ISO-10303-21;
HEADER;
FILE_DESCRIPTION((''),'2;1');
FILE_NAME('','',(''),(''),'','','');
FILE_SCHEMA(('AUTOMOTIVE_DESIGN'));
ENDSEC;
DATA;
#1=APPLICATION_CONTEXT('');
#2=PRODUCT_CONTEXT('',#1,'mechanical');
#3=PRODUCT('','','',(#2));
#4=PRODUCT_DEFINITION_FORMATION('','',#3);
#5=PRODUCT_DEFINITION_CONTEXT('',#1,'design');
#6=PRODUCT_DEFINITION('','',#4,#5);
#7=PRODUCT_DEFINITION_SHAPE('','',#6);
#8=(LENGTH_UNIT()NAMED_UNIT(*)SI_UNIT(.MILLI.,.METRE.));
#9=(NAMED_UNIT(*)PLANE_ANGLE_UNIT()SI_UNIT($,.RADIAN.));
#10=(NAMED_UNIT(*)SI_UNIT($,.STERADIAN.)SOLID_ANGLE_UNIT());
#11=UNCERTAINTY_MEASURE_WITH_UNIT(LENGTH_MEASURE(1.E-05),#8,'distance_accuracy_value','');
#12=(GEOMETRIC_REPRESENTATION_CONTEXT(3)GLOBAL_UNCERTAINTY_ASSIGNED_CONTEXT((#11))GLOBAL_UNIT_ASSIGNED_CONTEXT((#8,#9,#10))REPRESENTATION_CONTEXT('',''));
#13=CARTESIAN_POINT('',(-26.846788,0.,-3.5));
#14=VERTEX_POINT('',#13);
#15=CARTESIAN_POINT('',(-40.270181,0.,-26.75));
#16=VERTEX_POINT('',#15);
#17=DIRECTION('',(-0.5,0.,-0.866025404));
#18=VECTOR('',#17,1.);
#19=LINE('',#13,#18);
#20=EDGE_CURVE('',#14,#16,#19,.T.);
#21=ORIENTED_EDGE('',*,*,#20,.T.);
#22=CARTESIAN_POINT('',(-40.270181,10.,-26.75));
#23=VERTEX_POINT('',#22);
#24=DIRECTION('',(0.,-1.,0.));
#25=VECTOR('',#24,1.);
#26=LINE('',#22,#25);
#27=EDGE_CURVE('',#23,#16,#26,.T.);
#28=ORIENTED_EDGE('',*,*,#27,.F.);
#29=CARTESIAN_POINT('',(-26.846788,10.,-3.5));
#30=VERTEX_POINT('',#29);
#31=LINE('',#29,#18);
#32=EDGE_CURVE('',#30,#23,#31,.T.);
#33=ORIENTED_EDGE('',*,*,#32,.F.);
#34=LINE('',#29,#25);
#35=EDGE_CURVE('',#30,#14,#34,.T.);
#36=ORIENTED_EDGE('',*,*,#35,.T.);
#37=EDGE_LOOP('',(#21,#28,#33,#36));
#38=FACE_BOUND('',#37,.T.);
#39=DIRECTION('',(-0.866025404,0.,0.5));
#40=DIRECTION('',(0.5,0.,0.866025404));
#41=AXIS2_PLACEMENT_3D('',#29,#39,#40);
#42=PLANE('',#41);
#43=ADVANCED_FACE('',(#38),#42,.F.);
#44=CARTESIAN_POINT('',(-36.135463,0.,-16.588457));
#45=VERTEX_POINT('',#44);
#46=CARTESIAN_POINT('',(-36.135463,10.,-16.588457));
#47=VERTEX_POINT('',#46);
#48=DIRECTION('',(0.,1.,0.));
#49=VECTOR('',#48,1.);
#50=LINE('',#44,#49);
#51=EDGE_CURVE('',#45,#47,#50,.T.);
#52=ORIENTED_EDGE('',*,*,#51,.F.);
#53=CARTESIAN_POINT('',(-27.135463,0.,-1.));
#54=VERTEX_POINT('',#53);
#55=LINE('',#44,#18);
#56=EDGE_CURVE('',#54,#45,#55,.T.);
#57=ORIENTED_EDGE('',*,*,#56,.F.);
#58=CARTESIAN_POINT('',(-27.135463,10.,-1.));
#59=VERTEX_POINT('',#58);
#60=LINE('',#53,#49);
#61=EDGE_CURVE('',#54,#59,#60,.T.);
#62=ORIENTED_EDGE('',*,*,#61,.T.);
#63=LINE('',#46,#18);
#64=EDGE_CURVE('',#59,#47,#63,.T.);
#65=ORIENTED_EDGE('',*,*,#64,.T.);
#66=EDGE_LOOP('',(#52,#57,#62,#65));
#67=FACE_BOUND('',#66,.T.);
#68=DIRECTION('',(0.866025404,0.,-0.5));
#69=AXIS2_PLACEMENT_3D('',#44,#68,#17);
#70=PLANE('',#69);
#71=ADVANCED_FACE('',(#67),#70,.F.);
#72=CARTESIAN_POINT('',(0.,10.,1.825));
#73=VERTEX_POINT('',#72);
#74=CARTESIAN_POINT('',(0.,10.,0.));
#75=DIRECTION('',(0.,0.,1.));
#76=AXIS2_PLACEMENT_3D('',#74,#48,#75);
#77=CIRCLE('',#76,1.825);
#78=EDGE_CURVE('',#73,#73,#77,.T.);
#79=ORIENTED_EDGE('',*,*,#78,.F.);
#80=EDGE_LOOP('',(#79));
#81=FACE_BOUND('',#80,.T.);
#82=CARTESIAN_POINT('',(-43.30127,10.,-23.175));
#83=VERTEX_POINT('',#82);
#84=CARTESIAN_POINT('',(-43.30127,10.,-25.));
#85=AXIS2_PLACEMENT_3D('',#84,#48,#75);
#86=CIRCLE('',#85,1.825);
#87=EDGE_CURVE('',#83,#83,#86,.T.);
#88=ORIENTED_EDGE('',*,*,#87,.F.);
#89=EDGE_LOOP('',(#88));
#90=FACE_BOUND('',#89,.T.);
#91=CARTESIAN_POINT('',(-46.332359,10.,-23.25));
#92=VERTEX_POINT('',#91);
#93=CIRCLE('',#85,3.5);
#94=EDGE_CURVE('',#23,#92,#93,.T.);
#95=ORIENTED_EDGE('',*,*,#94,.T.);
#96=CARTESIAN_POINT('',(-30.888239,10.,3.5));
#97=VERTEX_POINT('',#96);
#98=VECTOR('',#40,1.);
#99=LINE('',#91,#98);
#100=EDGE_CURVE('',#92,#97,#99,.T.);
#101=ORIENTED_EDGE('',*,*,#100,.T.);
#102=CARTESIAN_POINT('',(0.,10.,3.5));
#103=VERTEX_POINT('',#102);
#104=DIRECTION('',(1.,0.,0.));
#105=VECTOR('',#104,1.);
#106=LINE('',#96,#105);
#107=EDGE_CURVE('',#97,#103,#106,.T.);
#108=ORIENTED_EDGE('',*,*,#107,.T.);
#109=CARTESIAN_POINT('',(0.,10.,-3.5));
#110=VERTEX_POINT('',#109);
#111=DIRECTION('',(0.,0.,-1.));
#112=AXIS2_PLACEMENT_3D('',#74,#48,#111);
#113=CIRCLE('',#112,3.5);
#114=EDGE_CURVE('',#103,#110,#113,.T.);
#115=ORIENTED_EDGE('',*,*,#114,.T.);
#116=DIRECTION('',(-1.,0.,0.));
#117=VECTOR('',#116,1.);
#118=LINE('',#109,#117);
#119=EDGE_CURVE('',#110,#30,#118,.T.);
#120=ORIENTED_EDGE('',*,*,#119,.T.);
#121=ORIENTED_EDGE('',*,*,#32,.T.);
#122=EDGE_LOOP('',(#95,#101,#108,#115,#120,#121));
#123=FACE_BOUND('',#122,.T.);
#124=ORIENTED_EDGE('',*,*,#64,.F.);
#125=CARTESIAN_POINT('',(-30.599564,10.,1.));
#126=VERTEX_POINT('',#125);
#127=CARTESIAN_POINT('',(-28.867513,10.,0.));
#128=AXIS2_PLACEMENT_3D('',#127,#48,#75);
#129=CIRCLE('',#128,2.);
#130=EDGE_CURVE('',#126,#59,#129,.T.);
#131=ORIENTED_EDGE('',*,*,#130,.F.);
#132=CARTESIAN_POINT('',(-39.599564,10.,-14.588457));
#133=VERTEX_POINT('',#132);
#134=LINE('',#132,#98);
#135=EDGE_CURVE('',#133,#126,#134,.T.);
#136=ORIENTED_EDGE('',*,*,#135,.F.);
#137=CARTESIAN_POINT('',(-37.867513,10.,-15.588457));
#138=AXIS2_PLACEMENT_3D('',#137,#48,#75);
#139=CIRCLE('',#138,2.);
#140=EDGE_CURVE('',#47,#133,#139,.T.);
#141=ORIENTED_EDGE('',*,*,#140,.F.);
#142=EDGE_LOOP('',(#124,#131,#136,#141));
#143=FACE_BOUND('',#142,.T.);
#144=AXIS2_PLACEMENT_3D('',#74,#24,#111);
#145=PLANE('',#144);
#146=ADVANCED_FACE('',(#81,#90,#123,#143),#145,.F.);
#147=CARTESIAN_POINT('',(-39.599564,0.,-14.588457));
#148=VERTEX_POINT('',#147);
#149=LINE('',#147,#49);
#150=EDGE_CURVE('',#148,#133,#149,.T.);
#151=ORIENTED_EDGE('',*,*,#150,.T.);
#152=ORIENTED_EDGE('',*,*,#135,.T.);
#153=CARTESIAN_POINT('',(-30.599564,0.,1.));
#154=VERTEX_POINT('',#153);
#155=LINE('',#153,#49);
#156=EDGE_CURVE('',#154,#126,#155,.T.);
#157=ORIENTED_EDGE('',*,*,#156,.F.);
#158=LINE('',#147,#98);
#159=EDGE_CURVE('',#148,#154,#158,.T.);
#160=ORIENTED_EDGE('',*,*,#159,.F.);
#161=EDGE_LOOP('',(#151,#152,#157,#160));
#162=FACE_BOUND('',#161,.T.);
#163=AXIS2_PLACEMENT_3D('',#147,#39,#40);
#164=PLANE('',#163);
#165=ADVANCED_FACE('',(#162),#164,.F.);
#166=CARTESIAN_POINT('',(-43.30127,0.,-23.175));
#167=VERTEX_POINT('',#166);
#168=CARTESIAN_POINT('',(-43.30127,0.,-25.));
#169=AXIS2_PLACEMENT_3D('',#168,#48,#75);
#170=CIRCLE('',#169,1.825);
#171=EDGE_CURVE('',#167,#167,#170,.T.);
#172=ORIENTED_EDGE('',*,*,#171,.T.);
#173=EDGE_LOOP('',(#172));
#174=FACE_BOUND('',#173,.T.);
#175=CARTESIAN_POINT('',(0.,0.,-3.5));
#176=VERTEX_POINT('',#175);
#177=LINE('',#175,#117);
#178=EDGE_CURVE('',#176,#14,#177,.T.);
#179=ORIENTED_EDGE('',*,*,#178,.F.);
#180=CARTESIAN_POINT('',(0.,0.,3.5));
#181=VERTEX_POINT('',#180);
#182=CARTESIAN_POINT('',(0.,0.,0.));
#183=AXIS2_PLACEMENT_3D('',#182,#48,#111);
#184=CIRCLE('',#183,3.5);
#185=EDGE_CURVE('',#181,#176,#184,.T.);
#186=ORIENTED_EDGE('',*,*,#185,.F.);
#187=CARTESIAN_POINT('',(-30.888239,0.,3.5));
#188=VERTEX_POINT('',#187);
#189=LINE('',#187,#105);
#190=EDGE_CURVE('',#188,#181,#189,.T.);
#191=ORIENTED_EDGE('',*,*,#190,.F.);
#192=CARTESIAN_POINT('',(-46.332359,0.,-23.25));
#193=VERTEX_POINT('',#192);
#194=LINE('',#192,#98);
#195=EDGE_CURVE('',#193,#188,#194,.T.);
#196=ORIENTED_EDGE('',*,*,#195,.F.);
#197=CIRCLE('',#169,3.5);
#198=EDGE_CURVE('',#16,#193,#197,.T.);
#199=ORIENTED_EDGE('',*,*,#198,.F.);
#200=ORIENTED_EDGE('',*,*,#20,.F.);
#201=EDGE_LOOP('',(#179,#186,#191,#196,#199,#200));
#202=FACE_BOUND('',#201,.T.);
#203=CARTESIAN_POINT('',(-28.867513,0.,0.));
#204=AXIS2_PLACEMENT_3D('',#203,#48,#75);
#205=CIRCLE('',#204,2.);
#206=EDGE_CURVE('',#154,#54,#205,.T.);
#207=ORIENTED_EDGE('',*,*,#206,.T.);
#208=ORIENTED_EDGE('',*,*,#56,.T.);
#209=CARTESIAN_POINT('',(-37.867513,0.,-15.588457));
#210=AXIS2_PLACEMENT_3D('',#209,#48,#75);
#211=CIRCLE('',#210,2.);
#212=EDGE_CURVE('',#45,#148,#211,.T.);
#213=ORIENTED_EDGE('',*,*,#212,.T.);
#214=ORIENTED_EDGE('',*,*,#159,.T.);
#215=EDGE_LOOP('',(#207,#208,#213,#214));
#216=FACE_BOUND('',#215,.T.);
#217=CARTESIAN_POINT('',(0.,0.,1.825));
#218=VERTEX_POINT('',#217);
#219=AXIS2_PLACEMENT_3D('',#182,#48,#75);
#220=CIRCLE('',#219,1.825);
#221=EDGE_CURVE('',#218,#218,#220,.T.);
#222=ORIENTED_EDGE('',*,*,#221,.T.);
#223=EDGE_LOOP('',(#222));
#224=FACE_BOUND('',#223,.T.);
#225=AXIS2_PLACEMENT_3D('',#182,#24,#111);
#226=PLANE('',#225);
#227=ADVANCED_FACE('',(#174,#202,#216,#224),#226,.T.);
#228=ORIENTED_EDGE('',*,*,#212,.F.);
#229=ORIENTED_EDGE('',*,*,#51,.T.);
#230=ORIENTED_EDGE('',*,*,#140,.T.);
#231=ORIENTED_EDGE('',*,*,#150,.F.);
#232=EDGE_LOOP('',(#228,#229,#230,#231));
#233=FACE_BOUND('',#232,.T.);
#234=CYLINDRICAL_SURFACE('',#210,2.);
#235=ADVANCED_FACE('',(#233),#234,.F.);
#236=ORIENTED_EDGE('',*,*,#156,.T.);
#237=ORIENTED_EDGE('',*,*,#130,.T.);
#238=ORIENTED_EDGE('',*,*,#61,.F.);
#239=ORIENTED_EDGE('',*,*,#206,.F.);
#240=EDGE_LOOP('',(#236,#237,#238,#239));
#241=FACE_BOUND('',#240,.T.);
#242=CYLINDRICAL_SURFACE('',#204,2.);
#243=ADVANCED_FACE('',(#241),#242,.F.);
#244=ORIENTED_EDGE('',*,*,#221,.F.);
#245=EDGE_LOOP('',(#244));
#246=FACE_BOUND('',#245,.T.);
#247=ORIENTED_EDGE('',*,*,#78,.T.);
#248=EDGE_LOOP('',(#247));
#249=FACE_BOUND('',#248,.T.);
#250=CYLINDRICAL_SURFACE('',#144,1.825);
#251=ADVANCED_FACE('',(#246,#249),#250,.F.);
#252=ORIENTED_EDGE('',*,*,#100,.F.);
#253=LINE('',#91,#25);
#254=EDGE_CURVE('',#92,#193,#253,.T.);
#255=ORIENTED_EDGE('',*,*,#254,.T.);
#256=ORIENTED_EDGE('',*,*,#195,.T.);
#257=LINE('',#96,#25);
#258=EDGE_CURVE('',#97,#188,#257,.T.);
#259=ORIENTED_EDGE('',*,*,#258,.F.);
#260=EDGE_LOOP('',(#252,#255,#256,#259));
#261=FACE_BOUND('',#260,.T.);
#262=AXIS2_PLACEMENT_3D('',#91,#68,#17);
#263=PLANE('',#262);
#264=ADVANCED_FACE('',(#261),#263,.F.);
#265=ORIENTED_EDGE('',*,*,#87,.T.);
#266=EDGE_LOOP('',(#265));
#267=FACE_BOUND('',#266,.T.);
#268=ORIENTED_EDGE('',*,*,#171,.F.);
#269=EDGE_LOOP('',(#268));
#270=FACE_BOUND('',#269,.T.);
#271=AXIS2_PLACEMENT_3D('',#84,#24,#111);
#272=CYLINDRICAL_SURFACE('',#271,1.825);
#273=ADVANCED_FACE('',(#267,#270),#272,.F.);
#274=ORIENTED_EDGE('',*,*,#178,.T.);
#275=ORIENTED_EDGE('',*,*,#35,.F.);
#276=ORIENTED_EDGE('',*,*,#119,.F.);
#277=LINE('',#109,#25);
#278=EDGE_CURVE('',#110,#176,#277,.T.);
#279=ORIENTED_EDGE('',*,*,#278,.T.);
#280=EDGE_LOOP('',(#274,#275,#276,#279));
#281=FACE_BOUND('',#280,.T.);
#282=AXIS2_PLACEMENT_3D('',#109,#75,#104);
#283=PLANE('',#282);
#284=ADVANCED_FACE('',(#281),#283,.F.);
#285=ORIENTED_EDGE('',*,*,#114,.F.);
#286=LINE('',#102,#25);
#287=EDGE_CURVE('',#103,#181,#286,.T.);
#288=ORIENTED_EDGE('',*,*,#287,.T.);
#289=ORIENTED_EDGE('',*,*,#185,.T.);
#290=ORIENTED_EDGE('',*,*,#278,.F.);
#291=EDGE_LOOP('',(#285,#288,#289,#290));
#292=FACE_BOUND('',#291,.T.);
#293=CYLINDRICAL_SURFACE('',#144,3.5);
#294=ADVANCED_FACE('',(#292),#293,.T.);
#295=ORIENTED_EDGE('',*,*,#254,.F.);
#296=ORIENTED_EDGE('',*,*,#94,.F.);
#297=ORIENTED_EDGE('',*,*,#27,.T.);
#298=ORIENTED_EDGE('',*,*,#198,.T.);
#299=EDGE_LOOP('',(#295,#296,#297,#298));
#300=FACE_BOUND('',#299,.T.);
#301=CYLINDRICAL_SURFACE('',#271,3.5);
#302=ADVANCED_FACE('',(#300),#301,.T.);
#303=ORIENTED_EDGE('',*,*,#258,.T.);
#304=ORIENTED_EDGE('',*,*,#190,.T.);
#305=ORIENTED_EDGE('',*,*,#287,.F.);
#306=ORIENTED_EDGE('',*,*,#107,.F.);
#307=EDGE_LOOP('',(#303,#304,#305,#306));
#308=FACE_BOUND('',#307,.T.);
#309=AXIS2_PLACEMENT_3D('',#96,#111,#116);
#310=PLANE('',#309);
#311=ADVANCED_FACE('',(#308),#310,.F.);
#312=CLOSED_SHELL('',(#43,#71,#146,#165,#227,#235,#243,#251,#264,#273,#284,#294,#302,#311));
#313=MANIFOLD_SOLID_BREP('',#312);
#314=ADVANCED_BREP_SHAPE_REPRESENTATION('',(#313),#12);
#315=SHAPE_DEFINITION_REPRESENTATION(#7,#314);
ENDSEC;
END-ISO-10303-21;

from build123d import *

# Parameters (mm, degrees)
SKIZZE2_R                       = 1.825
AUFSATZ_LINEAR_AUSTRAGEN1_DEPTH = 10
SCHNITT_LINEAR_AUSTRAGEN1_DEPTH = 11


with BuildPart() as part:
    # Skizze2 → Aufsatz-Linear austragen1 (new body)
    with BuildSketch(Plane(origin=(0, 0, 0), x_dir=(1, 0, 0), z_dir=(0, 1, 0))):
        with BuildLine():
            Line((0, 3.5), (-26.846787517, 3.5))
            Line((-26.846787517, 3.5), (-40.270181276, 26.75))
            ThreePointArc((-40.270181276, 26.75), (-45.051270189, 28.031088913), (-46.332359102, 23.25))
            Line((-46.332359102, 23.25), (-30.888239402, -3.5))
            Line((-30.888239402, -3.5), (0, -3.5))
            ThreePointArc((0, -3.5), (3.5, 0), (0, 3.5))
        make_face()
        with Locations((-43.301270189, 25)):
            Circle(SKIZZE2_R, mode=Mode.SUBTRACT)
        Circle(SKIZZE2_R, mode=Mode.SUBTRACT)
    extrude(amount=AUFSATZ_LINEAR_AUSTRAGEN1_DEPTH)

    # Skizze4 → Schnitt-Linear austragen1 (cut, through all)
    with BuildSketch(Plane(origin=(0, 10, 0), x_dir=(1, 0, 0), z_dir=(0, 1, 0))):
        with BuildLine():
            Line((-36.135462652, 16.588457268), (-27.135462652, 1))
            ThreePointArc((-27.135462652, 1), (-27.867513459, -1.732050808), (-30.599564267, -1))
            Line((-30.599564267, -1), (-39.599564267, 14.588457268))
            ThreePointArc((-39.599564267, 14.588457268), (-38.867513459, 17.320508076), (-36.135462652, 16.588457268))
        make_face()
    extrude(amount=-SCHNITT_LINEAR_AUSTRAGEN1_DEPTH, mode=Mode.SUBTRACT)


solid = part.part
